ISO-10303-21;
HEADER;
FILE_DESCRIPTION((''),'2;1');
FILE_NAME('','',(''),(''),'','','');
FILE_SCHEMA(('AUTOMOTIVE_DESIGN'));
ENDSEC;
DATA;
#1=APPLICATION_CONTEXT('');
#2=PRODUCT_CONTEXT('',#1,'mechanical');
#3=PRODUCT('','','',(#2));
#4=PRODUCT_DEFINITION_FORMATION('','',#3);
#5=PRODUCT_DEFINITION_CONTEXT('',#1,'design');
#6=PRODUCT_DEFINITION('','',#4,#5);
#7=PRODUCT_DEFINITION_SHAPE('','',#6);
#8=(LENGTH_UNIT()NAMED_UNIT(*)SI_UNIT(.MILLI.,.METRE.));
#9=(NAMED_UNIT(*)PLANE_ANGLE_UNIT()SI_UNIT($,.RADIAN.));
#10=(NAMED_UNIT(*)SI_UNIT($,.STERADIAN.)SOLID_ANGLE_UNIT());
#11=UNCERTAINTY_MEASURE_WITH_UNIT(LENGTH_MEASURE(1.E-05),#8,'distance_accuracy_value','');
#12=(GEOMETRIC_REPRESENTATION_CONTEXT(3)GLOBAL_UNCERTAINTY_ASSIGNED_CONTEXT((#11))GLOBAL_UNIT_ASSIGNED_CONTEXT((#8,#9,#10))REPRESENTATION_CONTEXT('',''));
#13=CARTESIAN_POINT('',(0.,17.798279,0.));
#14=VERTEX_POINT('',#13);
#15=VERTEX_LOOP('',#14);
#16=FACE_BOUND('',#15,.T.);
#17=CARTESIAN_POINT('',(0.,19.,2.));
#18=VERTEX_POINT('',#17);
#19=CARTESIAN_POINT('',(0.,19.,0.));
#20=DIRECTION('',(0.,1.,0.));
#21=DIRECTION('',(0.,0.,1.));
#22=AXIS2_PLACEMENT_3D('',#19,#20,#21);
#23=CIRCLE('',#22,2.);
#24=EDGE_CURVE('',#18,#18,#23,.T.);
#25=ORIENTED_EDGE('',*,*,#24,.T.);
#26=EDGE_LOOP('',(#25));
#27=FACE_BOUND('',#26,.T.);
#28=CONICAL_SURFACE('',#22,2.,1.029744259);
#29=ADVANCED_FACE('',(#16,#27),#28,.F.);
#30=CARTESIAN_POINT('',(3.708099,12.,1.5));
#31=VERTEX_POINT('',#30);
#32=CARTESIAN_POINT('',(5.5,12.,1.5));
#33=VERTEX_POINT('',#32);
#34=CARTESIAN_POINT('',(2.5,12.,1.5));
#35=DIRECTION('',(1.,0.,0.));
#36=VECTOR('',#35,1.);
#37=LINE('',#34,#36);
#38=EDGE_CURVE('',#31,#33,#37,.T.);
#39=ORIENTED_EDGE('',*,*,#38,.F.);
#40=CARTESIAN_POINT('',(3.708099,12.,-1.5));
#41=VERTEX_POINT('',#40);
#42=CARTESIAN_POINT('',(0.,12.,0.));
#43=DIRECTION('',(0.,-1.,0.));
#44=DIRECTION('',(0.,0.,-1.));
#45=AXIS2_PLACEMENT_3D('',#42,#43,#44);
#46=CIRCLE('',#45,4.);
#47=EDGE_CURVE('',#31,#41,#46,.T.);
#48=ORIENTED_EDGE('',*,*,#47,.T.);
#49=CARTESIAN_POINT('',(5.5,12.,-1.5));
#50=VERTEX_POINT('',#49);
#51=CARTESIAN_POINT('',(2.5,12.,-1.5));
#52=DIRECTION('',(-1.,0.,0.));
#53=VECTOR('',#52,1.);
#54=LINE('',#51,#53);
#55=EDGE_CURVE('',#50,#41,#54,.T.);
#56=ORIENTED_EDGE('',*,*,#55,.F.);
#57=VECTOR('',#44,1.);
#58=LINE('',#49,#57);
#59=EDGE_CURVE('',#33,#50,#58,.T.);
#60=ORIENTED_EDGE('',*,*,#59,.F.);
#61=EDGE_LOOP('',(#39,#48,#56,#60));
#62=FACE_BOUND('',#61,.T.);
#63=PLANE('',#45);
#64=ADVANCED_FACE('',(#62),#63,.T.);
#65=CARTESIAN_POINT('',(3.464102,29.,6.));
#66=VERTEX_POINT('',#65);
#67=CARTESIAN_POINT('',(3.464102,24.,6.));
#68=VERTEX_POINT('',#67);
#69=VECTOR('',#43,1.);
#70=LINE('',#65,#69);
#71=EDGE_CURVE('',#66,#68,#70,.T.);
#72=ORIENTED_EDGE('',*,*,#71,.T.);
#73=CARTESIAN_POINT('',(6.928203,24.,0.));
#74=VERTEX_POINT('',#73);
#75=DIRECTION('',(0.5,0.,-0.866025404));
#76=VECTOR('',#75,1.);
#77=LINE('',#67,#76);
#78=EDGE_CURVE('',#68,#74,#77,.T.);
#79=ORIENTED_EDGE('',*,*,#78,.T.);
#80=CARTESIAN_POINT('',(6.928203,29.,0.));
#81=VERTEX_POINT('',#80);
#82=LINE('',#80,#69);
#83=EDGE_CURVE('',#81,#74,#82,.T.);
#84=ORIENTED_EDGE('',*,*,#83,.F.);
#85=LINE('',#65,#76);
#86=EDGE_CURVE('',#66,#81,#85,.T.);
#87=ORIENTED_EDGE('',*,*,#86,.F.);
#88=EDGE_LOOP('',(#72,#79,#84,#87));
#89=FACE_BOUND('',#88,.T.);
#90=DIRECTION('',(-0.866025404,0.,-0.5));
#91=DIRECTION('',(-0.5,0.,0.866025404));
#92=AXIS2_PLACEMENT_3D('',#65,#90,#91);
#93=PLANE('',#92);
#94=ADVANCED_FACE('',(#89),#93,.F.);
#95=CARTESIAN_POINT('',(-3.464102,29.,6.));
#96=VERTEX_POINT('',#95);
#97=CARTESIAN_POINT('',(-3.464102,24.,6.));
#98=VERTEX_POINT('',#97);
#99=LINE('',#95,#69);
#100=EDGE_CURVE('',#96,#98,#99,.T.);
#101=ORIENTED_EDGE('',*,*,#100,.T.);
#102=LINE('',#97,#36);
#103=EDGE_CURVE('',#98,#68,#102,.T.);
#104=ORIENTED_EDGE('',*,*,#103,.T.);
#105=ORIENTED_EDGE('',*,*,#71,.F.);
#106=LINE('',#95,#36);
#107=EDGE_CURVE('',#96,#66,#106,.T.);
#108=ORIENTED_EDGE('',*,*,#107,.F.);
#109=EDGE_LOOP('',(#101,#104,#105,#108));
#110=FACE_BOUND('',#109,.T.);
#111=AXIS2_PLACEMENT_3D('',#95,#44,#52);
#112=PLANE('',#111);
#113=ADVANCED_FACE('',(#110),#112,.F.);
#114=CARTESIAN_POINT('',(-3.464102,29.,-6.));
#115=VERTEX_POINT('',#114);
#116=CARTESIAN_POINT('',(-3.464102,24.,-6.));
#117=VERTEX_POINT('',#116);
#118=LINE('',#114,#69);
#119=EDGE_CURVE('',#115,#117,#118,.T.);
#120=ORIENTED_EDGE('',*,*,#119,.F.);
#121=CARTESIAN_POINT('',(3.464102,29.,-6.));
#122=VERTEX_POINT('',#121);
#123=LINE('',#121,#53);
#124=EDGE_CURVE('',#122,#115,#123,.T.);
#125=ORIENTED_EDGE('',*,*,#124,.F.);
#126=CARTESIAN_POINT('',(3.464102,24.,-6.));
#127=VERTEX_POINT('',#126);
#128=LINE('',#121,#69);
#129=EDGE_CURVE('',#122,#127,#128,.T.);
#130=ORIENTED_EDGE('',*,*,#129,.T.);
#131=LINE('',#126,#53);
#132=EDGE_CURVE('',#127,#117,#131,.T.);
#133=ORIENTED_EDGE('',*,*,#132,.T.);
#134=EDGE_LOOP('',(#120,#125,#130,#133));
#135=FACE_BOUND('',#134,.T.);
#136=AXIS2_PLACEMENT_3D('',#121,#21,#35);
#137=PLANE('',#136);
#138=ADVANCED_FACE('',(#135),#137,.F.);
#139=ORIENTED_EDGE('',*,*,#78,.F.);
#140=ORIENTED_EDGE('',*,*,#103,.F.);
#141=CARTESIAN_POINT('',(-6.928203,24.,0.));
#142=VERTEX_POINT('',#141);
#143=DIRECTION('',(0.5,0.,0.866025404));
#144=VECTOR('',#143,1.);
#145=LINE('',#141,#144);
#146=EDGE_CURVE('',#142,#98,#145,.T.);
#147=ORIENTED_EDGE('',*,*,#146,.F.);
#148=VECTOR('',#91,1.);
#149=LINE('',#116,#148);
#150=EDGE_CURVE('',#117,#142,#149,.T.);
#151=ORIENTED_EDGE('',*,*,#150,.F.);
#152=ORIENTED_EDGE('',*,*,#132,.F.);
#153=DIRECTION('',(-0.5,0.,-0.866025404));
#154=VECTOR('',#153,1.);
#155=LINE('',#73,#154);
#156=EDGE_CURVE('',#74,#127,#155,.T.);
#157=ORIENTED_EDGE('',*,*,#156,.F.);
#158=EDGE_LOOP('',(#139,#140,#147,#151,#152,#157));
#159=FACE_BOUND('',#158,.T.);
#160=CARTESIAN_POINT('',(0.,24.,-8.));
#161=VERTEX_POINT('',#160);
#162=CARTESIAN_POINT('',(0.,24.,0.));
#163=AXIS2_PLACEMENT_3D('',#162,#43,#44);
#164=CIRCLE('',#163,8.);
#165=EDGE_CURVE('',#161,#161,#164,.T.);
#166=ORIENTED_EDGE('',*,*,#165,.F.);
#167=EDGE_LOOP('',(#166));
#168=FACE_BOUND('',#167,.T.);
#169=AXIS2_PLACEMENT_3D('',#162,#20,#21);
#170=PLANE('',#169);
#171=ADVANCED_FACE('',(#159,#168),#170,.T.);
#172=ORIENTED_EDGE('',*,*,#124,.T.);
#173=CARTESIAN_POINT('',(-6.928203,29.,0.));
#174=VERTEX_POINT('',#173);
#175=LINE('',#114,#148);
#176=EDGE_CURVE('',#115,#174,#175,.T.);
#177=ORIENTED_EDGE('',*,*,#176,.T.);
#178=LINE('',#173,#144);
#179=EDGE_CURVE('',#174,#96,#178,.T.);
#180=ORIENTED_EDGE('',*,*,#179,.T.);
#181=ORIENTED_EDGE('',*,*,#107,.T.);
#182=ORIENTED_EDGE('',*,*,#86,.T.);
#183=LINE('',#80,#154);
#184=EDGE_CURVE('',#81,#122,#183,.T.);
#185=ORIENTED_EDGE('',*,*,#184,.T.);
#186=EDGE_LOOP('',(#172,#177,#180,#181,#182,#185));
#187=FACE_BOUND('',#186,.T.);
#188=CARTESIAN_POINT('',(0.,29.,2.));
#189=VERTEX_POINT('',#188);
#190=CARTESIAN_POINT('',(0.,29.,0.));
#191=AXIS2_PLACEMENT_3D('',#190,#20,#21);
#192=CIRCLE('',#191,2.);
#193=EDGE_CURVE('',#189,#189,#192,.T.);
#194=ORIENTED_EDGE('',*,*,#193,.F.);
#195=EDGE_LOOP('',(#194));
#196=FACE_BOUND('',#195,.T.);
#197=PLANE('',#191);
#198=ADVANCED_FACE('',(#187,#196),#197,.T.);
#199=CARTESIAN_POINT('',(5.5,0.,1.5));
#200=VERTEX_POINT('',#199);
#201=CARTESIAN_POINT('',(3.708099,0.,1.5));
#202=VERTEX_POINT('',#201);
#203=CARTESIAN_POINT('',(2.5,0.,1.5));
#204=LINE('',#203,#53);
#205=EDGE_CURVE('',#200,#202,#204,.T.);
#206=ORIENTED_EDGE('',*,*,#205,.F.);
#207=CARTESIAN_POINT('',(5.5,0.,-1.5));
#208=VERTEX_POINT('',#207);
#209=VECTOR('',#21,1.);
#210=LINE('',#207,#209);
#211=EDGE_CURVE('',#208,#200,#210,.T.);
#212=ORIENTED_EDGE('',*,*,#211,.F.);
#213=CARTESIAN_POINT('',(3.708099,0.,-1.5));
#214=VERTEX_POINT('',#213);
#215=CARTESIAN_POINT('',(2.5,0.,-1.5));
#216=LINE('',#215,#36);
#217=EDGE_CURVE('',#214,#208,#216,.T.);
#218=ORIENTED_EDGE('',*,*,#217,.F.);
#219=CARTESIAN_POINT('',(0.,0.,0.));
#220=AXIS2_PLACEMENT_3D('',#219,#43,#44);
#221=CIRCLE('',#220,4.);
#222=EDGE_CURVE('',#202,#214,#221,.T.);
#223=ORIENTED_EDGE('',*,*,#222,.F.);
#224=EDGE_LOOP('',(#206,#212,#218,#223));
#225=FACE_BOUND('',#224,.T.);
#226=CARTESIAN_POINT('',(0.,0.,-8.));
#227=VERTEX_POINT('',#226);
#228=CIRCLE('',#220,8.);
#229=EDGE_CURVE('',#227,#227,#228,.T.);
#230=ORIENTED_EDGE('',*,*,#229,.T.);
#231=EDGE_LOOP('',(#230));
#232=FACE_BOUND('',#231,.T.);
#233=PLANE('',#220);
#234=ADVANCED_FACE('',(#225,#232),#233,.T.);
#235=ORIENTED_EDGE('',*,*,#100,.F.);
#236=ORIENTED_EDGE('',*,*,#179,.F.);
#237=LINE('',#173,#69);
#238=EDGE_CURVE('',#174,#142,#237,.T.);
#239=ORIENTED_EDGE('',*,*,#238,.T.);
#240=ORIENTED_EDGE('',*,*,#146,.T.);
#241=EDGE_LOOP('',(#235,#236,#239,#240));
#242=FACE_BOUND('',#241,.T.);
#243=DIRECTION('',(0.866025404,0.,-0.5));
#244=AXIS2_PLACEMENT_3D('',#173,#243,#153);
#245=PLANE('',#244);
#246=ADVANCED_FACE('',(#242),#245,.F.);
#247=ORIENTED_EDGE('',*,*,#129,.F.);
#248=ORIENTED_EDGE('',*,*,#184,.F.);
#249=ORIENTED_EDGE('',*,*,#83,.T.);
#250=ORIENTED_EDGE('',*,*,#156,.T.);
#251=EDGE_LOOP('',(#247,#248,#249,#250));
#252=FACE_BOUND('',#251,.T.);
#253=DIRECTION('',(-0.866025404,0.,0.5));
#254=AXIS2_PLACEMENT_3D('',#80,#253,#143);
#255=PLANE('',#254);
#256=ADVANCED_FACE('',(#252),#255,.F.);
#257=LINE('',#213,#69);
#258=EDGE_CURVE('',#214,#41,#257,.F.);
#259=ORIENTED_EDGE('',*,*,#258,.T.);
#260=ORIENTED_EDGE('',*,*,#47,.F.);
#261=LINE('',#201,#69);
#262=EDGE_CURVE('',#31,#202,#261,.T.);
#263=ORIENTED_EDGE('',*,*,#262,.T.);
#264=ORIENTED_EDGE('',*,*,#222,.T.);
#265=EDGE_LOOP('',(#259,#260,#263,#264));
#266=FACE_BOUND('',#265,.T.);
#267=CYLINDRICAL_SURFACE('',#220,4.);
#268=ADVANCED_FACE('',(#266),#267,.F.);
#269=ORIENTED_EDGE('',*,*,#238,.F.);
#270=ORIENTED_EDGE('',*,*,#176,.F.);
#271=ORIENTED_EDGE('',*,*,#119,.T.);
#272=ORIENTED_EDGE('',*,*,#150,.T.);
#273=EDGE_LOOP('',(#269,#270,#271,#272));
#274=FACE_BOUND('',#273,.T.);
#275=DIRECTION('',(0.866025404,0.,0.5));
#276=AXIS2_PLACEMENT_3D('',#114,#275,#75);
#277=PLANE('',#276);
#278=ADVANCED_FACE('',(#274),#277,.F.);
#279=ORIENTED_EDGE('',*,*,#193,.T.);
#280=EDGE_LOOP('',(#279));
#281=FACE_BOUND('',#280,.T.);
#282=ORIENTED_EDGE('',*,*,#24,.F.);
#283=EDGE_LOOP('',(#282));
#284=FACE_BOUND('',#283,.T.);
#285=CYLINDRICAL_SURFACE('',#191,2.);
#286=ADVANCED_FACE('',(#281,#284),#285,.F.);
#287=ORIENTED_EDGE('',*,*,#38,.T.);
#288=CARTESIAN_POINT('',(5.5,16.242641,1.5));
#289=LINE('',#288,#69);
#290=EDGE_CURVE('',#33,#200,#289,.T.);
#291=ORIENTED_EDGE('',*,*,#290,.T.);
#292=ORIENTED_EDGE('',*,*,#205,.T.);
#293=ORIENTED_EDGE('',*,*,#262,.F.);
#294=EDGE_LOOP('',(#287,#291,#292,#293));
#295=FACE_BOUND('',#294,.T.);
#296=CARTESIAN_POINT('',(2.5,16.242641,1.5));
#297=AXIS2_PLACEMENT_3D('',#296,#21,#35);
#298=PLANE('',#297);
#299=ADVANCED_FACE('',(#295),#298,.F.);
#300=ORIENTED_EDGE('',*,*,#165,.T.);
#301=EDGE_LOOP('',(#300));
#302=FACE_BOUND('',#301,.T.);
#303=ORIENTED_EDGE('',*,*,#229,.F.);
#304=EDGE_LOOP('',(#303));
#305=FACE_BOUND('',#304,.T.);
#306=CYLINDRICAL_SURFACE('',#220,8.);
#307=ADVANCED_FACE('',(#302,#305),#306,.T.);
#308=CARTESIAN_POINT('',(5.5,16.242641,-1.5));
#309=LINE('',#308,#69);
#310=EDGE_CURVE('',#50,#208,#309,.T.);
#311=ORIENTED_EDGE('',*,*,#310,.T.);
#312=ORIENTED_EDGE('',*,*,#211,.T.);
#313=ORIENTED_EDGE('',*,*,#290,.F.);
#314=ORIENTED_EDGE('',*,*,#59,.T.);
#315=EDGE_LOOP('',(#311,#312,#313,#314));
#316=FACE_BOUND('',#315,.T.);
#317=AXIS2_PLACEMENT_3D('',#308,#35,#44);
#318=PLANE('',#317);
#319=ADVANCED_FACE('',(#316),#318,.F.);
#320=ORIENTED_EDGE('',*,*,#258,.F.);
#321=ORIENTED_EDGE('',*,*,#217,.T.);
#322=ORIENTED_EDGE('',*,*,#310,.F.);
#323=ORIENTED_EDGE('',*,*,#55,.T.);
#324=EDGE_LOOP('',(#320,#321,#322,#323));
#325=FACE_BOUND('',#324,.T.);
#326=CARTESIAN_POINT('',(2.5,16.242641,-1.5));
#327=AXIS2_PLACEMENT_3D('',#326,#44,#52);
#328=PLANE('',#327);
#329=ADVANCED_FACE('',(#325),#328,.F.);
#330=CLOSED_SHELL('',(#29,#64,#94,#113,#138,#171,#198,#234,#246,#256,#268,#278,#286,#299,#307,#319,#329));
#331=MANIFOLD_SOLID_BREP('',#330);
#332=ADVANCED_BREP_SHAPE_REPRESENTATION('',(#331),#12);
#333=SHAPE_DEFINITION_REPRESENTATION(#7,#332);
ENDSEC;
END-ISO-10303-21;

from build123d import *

# Parameters (mm, degrees)
SKETCH1_W                 = 4
SKETCH1_H                 = 12
SKETCH1_W_2               = 8
BOSS_EXTRUDE1_DEPTH       = 5
F_4_0MM_DOWEL_HOLE1_D     = 4
F_4_0MM_DOWEL_HOLE1_DEPTH = 10
F_4_0MM_DOWEL_HOLE1_TIP   = 1.201721238
CUT_EXTRUDE1_START        = -12
SKETCH5_W                 = 3
SKETCH5_H                 = 3
CUT_EXTRUDE1_DEPTH        = 12


with BuildPart() as part:
    # Sketch1 → Revolve1 (revolve)
    with BuildSketch(Plane.XY):
        with Locations((6, 6)):
            Rectangle(SKETCH1_W, SKETCH1_H)
        with Locations((4, 18)):
            Rectangle(SKETCH1_W_2, SKETCH1_H)
    revolve(axis=Axis((0, 0, 0), (0, 1, 0)))

    # Sketch2 → Boss-Extrude1 (add)
    with BuildSketch(Plane(origin=(0, 24, 0), x_dir=(1, 0, 0), z_dir=(0, 1, 0))):
        Polygon((6.92820323, 0), (3.464101615, 6), (-3.464101615, 6), (-6.92820323, 0), (-3.464101615, -6), (3.464101615, -6), align=None)
    extrude(amount=BOSS_EXTRUDE1_DEPTH)

    # Ø4.0mm Dowel Hole1
    with Locations(Plane(origin=(0, 29, 0), x_dir=(1, 0, 0), z_dir=(0, 1, 0))):
        with Locations((0, 0)):
            Hole(F_4_0MM_DOWEL_HOLE1_D / 2, depth=F_4_0MM_DOWEL_HOLE1_DEPTH)
            with Locations((0, 0, -(F_4_0MM_DOWEL_HOLE1_DEPTH + F_4_0MM_DOWEL_HOLE1_TIP / 2))):  # 118° drill point
                Cone(0, F_4_0MM_DOWEL_HOLE1_D / 2, F_4_0MM_DOWEL_HOLE1_TIP, mode=Mode.SUBTRACT)

    # Sketch5 → Cut-Extrude1 (cut)
    with BuildSketch(Plane.XZ.offset(CUT_EXTRUDE1_START)):
        with Locations((4, 0)):
            Rectangle(SKETCH5_W, SKETCH5_H)
    extrude(amount=CUT_EXTRUDE1_DEPTH, mode=Mode.SUBTRACT)


solid = part.part
